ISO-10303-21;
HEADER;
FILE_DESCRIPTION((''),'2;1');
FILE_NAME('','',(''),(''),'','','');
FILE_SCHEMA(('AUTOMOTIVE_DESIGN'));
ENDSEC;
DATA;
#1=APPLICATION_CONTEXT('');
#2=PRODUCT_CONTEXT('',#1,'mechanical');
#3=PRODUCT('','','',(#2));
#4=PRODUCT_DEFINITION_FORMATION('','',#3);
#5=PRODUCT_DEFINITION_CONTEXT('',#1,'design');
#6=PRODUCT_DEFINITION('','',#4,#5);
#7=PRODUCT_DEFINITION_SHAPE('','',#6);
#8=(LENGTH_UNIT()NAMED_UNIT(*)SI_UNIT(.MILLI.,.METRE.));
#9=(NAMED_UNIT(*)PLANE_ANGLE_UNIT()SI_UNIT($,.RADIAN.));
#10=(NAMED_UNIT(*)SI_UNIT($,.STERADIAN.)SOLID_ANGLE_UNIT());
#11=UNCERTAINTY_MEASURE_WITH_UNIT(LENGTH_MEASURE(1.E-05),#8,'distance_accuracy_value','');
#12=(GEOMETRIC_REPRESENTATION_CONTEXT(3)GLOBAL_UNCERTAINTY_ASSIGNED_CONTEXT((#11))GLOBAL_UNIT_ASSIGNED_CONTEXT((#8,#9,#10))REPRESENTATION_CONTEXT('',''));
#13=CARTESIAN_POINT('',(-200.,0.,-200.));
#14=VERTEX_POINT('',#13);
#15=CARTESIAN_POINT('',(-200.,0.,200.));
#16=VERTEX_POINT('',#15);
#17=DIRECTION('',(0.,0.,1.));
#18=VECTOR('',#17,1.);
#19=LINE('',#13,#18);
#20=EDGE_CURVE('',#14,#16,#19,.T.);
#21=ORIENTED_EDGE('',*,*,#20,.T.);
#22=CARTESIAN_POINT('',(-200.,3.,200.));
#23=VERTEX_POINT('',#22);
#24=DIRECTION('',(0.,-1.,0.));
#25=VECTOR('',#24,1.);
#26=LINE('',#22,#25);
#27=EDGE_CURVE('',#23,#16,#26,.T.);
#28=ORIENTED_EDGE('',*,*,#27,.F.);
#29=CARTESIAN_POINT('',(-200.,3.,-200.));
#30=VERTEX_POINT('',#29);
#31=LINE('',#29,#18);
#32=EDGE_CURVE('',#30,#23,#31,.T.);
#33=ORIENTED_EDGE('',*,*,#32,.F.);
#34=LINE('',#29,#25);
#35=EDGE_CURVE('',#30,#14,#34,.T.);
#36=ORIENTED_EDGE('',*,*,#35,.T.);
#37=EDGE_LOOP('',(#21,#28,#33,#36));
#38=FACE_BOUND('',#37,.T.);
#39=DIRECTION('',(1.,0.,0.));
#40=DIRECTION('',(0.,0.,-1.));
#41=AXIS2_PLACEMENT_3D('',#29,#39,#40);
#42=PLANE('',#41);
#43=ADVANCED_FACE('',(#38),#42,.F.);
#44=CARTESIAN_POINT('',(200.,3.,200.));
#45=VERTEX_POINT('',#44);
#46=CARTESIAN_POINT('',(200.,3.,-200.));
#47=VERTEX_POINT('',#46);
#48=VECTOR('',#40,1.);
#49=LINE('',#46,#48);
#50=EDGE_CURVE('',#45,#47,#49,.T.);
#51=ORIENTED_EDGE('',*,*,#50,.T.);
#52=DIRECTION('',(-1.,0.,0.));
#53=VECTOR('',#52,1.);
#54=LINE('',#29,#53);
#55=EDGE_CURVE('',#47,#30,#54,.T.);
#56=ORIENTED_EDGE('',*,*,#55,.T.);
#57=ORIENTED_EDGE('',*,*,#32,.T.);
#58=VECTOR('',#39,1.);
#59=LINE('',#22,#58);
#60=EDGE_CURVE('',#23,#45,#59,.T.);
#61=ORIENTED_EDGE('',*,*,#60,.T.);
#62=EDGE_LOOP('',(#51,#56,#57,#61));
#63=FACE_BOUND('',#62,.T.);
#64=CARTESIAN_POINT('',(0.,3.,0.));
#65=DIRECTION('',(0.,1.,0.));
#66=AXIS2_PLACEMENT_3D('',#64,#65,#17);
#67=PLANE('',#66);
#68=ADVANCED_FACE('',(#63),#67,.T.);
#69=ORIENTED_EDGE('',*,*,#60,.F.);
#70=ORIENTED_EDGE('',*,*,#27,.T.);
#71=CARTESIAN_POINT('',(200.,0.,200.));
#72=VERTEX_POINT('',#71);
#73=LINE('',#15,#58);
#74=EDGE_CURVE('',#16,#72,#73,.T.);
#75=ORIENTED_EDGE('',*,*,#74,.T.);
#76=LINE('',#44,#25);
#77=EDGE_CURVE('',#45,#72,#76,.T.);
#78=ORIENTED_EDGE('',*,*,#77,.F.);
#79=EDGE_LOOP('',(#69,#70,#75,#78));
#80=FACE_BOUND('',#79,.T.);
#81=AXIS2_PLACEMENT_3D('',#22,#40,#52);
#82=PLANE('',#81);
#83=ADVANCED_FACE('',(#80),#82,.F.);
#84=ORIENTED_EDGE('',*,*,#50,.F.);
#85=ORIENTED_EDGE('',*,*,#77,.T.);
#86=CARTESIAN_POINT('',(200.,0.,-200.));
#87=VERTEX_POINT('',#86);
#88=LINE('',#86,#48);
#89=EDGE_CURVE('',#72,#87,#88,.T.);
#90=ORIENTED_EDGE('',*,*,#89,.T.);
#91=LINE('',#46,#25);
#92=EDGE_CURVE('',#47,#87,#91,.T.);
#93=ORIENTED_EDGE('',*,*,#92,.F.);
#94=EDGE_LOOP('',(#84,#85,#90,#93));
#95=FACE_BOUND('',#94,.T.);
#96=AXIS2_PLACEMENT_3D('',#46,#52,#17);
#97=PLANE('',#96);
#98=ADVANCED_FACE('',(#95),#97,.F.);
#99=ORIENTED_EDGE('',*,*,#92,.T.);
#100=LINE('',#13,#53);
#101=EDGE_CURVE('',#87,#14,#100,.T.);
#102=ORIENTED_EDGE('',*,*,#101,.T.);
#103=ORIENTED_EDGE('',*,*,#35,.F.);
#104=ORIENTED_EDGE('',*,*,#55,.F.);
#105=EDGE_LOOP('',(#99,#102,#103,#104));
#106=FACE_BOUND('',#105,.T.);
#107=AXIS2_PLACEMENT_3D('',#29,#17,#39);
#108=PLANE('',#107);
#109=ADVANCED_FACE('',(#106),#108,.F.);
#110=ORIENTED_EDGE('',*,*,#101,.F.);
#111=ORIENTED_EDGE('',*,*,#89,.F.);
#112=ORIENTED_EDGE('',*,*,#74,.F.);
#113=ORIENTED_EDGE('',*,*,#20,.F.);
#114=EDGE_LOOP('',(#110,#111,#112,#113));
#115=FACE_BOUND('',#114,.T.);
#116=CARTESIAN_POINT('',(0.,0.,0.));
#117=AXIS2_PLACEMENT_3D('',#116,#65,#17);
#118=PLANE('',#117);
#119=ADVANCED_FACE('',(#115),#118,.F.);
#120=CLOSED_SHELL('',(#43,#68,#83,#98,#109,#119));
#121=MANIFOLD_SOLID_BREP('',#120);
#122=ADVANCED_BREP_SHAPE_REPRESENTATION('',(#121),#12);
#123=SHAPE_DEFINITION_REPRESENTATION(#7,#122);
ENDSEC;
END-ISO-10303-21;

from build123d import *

# Parameters (mm, degrees)
SKETCH1_W           = 400
SKETCH1_H           = 400
BOSS_EXTRUDE1_DEPTH = 3


with BuildPart() as part:
    # Sketch1 → Boss-Extrude1 (new body)
    with BuildSketch(Plane(origin=(0, 0, 0), x_dir=(1, 0, 0), z_dir=(0, 1, 0))):
        Rectangle(SKETCH1_W, SKETCH1_H)
    extrude(amount=BOSS_EXTRUDE1_DEPTH)


solid = part.part
